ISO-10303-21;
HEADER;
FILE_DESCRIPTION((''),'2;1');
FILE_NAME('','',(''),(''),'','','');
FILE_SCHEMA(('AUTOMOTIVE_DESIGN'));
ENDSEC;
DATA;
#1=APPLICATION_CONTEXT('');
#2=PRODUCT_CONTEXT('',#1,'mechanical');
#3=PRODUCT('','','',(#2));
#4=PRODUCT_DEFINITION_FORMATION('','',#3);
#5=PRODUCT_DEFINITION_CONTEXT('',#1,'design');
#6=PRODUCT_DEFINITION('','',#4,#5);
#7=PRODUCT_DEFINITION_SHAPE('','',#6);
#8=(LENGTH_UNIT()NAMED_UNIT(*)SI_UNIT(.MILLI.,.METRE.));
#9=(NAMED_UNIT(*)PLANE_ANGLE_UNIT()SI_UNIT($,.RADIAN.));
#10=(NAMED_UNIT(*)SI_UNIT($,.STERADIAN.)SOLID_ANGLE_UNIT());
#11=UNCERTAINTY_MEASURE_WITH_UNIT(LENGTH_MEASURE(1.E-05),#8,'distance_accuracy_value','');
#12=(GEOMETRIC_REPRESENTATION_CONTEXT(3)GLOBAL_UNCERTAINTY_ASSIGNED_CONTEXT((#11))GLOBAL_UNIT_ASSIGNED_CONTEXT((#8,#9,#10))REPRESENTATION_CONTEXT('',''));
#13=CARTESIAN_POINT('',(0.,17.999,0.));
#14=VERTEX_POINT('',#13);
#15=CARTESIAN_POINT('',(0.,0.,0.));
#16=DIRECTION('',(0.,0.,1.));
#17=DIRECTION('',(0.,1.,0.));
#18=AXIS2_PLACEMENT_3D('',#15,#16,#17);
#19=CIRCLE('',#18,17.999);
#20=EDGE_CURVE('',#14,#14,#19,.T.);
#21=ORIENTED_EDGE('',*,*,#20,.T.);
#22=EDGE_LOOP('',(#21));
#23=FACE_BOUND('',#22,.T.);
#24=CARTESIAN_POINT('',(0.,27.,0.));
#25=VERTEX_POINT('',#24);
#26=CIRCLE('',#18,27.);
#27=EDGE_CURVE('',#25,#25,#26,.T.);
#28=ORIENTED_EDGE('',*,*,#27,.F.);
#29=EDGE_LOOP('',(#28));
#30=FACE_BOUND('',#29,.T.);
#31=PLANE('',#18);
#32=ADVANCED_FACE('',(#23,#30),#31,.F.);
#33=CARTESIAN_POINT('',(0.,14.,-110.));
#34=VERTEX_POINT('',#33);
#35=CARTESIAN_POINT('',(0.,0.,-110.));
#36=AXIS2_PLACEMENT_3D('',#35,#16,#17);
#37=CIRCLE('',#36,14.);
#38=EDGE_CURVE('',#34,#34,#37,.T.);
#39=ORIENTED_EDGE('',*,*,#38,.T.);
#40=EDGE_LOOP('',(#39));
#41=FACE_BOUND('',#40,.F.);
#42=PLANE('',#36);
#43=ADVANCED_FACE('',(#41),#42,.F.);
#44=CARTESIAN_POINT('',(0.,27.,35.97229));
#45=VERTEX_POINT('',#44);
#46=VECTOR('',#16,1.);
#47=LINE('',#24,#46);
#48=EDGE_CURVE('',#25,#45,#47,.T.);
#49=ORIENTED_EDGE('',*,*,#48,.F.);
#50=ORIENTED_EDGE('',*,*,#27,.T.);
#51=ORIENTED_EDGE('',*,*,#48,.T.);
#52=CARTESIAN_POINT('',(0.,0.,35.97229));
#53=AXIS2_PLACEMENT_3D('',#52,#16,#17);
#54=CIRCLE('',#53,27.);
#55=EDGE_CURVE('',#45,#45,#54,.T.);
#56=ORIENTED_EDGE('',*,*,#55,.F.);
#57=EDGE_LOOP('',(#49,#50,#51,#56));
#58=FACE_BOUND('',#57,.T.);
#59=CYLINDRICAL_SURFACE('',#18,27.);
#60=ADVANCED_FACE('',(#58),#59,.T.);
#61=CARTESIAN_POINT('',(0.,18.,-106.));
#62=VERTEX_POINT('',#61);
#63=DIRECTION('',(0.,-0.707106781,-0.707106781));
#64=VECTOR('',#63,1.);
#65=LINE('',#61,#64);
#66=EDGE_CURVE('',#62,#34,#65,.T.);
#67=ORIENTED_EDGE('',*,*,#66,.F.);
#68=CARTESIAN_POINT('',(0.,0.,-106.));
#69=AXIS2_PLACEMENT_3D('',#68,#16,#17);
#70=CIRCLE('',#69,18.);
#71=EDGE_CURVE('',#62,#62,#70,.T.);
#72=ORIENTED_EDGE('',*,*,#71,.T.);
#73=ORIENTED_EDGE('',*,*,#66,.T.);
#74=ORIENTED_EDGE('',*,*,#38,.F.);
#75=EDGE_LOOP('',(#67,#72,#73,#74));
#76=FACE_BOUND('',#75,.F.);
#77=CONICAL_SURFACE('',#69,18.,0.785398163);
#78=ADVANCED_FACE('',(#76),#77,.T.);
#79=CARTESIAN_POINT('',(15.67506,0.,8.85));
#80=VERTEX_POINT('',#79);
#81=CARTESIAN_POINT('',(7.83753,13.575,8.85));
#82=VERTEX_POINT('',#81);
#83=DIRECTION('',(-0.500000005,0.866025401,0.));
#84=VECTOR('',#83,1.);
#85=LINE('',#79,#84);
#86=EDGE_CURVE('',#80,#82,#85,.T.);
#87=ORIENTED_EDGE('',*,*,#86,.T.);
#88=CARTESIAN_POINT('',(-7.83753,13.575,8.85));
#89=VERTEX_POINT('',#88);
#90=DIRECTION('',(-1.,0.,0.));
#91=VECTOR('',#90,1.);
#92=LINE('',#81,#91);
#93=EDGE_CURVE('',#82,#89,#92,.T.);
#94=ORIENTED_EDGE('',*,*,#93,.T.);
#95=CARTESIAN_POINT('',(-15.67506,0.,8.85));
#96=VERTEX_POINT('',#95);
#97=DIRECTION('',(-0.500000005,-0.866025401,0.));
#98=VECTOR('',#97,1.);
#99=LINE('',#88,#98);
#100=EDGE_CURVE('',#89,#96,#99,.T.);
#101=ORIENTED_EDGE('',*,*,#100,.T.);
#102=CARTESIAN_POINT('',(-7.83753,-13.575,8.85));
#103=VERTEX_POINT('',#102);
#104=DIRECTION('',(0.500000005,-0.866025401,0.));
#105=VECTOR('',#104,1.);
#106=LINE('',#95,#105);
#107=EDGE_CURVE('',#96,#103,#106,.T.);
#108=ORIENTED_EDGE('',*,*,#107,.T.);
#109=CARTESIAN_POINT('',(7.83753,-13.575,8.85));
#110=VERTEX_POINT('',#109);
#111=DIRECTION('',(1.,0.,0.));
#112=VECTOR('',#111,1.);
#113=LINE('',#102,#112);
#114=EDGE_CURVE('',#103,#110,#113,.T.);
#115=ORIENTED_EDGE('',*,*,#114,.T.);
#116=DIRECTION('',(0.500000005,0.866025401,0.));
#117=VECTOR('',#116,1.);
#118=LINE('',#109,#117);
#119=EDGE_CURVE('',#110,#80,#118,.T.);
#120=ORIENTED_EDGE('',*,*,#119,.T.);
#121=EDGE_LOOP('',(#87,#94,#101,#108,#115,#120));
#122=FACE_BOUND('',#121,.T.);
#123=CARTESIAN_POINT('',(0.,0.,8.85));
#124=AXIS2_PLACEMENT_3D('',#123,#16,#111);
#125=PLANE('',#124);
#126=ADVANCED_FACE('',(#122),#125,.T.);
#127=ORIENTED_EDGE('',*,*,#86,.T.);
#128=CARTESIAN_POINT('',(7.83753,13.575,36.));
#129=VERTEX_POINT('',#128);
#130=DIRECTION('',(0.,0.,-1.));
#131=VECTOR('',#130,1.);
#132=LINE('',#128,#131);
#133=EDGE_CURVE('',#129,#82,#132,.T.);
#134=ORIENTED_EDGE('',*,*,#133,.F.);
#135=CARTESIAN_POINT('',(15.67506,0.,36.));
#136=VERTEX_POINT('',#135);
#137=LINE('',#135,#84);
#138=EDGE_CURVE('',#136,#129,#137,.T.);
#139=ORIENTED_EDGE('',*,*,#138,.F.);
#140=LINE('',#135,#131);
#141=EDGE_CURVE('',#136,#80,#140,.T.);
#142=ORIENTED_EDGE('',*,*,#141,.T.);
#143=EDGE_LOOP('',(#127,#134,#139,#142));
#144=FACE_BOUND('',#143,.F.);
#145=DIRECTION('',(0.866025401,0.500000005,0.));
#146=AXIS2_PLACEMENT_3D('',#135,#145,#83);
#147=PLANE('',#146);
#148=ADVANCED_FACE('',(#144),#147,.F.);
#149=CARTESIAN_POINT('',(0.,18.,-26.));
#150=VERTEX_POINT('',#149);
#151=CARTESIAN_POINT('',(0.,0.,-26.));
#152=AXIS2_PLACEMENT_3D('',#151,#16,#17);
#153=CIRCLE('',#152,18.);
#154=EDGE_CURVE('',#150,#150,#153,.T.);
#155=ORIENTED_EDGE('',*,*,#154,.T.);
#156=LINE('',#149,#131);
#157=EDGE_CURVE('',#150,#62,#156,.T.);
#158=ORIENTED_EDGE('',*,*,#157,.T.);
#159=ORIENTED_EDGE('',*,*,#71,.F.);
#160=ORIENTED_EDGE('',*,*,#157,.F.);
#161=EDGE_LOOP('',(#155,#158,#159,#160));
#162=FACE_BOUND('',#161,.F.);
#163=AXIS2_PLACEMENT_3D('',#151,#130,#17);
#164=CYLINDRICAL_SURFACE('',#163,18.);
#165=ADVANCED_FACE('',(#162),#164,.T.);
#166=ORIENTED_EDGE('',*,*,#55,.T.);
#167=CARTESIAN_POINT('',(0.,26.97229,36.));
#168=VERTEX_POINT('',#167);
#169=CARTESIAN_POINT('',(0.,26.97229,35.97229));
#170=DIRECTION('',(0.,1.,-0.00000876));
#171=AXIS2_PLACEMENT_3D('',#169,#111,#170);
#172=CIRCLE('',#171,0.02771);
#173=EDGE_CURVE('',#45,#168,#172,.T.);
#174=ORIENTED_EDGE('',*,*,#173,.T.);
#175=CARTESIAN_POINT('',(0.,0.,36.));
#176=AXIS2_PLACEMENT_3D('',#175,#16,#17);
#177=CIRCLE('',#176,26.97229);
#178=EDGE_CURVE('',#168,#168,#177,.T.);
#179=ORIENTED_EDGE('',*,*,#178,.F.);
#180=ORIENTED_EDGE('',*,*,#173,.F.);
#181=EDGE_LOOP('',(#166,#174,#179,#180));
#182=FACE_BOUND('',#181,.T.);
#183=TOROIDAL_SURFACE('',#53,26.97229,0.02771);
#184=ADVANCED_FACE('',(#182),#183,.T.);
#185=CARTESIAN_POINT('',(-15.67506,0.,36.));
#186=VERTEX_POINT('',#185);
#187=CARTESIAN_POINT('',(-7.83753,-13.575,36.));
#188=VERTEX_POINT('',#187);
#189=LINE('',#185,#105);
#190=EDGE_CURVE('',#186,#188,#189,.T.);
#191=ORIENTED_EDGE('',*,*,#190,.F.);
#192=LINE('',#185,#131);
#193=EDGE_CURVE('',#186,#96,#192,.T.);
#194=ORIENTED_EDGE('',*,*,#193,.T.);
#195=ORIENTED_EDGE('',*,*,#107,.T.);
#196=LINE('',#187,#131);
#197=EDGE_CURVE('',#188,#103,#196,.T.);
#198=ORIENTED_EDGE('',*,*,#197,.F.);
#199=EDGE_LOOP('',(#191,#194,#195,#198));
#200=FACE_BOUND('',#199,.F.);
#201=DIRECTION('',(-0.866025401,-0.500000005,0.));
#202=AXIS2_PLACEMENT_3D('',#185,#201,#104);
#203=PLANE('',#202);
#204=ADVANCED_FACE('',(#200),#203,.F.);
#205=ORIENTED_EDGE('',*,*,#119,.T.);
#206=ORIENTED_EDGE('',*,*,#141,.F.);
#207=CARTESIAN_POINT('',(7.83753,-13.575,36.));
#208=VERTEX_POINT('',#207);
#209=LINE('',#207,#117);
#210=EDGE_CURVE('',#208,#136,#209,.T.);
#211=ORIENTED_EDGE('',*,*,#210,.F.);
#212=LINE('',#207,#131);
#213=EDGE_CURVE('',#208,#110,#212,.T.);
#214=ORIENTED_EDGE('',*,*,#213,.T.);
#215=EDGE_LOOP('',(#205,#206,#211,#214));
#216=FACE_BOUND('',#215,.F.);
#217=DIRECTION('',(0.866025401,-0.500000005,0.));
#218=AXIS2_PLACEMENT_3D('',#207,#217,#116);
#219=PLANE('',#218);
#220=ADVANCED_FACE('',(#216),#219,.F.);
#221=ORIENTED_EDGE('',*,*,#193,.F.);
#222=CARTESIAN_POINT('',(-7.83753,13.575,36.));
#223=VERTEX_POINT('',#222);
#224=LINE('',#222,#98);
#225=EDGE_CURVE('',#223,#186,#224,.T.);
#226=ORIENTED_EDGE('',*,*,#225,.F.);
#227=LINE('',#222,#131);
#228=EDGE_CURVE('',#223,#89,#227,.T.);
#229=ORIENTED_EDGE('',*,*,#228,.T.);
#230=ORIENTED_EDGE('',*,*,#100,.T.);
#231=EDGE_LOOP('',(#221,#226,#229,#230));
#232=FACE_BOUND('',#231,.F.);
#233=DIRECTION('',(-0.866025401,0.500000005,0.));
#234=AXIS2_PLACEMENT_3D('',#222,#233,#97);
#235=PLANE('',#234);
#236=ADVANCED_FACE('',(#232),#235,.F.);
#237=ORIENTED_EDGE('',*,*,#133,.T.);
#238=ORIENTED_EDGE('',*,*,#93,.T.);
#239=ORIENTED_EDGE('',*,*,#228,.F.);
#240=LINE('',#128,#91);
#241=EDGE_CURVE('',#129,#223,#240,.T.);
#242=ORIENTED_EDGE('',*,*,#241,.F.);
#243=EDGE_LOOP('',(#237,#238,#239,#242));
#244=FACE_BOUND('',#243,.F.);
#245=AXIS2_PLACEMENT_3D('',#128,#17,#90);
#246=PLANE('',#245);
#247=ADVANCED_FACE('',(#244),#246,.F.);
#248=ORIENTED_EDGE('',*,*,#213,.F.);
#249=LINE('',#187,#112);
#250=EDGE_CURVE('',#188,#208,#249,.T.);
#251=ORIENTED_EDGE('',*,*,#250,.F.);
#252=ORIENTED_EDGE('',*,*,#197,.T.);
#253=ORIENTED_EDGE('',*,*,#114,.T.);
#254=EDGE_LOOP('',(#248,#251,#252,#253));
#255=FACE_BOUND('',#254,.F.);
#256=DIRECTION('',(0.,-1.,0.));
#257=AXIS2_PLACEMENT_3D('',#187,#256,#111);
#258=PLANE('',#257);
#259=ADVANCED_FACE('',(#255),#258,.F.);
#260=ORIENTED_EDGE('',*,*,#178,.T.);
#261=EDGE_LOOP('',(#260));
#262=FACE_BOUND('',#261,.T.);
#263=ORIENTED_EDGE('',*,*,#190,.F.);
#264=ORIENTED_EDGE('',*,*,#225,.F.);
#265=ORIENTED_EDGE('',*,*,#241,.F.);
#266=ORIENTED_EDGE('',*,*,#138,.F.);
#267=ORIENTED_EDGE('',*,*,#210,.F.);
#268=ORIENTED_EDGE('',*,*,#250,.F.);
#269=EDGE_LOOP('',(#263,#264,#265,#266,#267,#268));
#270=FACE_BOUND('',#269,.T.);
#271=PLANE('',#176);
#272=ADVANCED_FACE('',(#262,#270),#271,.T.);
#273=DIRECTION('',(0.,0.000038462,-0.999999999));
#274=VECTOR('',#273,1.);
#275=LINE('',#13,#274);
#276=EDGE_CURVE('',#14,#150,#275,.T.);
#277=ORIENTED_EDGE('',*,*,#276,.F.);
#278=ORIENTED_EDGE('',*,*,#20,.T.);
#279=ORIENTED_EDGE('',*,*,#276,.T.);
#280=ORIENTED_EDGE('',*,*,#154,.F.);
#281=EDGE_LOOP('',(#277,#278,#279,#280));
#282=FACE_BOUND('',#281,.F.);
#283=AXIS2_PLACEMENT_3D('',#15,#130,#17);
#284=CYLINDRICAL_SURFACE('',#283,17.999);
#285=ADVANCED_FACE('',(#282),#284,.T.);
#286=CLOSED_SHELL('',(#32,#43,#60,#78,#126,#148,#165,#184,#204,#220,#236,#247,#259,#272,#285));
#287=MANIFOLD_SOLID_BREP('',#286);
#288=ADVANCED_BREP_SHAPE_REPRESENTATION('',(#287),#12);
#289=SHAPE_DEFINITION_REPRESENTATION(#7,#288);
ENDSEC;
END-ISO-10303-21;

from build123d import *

# Parameters (mm, degrees)
POCKET_DEPTH = 27.15


with BuildPart() as part:
    # Sketch → Revolve (revolve)
    with BuildSketch(Plane.YZ):
        with BuildLine():
            Line((17.999, 0), (27, 0))
            Line((27, 0), (27, 35.97229))
            ThreePointArc((27, 35.97229), (26.991884, 35.991884), (26.97229, 36))
            Line((26.97229, 36), (0, 36))
            Line((0, -110), (0, 36))
            Line((14, -110), (0, -110))
            Line((18, -106), (14, -110))
            Line((18, -26), (18, -106))
            Line((17.999, 0), (18, -26))
        make_face()
    revolve(axis=Axis((0, 0, 0), (0, 0, 1)))

    # Sketch001 → Pocket (cut)
    with BuildSketch(Plane.XY.offset(36)):
        Polygon((15.67506, 0), (7.83753, 13.575), (-7.83753, 13.575), (-15.67506, 0), (-7.83753, -13.575), (7.83753, -13.575), align=None)
    extrude(amount=-POCKET_DEPTH, mode=Mode.SUBTRACT)


solid = part.part
